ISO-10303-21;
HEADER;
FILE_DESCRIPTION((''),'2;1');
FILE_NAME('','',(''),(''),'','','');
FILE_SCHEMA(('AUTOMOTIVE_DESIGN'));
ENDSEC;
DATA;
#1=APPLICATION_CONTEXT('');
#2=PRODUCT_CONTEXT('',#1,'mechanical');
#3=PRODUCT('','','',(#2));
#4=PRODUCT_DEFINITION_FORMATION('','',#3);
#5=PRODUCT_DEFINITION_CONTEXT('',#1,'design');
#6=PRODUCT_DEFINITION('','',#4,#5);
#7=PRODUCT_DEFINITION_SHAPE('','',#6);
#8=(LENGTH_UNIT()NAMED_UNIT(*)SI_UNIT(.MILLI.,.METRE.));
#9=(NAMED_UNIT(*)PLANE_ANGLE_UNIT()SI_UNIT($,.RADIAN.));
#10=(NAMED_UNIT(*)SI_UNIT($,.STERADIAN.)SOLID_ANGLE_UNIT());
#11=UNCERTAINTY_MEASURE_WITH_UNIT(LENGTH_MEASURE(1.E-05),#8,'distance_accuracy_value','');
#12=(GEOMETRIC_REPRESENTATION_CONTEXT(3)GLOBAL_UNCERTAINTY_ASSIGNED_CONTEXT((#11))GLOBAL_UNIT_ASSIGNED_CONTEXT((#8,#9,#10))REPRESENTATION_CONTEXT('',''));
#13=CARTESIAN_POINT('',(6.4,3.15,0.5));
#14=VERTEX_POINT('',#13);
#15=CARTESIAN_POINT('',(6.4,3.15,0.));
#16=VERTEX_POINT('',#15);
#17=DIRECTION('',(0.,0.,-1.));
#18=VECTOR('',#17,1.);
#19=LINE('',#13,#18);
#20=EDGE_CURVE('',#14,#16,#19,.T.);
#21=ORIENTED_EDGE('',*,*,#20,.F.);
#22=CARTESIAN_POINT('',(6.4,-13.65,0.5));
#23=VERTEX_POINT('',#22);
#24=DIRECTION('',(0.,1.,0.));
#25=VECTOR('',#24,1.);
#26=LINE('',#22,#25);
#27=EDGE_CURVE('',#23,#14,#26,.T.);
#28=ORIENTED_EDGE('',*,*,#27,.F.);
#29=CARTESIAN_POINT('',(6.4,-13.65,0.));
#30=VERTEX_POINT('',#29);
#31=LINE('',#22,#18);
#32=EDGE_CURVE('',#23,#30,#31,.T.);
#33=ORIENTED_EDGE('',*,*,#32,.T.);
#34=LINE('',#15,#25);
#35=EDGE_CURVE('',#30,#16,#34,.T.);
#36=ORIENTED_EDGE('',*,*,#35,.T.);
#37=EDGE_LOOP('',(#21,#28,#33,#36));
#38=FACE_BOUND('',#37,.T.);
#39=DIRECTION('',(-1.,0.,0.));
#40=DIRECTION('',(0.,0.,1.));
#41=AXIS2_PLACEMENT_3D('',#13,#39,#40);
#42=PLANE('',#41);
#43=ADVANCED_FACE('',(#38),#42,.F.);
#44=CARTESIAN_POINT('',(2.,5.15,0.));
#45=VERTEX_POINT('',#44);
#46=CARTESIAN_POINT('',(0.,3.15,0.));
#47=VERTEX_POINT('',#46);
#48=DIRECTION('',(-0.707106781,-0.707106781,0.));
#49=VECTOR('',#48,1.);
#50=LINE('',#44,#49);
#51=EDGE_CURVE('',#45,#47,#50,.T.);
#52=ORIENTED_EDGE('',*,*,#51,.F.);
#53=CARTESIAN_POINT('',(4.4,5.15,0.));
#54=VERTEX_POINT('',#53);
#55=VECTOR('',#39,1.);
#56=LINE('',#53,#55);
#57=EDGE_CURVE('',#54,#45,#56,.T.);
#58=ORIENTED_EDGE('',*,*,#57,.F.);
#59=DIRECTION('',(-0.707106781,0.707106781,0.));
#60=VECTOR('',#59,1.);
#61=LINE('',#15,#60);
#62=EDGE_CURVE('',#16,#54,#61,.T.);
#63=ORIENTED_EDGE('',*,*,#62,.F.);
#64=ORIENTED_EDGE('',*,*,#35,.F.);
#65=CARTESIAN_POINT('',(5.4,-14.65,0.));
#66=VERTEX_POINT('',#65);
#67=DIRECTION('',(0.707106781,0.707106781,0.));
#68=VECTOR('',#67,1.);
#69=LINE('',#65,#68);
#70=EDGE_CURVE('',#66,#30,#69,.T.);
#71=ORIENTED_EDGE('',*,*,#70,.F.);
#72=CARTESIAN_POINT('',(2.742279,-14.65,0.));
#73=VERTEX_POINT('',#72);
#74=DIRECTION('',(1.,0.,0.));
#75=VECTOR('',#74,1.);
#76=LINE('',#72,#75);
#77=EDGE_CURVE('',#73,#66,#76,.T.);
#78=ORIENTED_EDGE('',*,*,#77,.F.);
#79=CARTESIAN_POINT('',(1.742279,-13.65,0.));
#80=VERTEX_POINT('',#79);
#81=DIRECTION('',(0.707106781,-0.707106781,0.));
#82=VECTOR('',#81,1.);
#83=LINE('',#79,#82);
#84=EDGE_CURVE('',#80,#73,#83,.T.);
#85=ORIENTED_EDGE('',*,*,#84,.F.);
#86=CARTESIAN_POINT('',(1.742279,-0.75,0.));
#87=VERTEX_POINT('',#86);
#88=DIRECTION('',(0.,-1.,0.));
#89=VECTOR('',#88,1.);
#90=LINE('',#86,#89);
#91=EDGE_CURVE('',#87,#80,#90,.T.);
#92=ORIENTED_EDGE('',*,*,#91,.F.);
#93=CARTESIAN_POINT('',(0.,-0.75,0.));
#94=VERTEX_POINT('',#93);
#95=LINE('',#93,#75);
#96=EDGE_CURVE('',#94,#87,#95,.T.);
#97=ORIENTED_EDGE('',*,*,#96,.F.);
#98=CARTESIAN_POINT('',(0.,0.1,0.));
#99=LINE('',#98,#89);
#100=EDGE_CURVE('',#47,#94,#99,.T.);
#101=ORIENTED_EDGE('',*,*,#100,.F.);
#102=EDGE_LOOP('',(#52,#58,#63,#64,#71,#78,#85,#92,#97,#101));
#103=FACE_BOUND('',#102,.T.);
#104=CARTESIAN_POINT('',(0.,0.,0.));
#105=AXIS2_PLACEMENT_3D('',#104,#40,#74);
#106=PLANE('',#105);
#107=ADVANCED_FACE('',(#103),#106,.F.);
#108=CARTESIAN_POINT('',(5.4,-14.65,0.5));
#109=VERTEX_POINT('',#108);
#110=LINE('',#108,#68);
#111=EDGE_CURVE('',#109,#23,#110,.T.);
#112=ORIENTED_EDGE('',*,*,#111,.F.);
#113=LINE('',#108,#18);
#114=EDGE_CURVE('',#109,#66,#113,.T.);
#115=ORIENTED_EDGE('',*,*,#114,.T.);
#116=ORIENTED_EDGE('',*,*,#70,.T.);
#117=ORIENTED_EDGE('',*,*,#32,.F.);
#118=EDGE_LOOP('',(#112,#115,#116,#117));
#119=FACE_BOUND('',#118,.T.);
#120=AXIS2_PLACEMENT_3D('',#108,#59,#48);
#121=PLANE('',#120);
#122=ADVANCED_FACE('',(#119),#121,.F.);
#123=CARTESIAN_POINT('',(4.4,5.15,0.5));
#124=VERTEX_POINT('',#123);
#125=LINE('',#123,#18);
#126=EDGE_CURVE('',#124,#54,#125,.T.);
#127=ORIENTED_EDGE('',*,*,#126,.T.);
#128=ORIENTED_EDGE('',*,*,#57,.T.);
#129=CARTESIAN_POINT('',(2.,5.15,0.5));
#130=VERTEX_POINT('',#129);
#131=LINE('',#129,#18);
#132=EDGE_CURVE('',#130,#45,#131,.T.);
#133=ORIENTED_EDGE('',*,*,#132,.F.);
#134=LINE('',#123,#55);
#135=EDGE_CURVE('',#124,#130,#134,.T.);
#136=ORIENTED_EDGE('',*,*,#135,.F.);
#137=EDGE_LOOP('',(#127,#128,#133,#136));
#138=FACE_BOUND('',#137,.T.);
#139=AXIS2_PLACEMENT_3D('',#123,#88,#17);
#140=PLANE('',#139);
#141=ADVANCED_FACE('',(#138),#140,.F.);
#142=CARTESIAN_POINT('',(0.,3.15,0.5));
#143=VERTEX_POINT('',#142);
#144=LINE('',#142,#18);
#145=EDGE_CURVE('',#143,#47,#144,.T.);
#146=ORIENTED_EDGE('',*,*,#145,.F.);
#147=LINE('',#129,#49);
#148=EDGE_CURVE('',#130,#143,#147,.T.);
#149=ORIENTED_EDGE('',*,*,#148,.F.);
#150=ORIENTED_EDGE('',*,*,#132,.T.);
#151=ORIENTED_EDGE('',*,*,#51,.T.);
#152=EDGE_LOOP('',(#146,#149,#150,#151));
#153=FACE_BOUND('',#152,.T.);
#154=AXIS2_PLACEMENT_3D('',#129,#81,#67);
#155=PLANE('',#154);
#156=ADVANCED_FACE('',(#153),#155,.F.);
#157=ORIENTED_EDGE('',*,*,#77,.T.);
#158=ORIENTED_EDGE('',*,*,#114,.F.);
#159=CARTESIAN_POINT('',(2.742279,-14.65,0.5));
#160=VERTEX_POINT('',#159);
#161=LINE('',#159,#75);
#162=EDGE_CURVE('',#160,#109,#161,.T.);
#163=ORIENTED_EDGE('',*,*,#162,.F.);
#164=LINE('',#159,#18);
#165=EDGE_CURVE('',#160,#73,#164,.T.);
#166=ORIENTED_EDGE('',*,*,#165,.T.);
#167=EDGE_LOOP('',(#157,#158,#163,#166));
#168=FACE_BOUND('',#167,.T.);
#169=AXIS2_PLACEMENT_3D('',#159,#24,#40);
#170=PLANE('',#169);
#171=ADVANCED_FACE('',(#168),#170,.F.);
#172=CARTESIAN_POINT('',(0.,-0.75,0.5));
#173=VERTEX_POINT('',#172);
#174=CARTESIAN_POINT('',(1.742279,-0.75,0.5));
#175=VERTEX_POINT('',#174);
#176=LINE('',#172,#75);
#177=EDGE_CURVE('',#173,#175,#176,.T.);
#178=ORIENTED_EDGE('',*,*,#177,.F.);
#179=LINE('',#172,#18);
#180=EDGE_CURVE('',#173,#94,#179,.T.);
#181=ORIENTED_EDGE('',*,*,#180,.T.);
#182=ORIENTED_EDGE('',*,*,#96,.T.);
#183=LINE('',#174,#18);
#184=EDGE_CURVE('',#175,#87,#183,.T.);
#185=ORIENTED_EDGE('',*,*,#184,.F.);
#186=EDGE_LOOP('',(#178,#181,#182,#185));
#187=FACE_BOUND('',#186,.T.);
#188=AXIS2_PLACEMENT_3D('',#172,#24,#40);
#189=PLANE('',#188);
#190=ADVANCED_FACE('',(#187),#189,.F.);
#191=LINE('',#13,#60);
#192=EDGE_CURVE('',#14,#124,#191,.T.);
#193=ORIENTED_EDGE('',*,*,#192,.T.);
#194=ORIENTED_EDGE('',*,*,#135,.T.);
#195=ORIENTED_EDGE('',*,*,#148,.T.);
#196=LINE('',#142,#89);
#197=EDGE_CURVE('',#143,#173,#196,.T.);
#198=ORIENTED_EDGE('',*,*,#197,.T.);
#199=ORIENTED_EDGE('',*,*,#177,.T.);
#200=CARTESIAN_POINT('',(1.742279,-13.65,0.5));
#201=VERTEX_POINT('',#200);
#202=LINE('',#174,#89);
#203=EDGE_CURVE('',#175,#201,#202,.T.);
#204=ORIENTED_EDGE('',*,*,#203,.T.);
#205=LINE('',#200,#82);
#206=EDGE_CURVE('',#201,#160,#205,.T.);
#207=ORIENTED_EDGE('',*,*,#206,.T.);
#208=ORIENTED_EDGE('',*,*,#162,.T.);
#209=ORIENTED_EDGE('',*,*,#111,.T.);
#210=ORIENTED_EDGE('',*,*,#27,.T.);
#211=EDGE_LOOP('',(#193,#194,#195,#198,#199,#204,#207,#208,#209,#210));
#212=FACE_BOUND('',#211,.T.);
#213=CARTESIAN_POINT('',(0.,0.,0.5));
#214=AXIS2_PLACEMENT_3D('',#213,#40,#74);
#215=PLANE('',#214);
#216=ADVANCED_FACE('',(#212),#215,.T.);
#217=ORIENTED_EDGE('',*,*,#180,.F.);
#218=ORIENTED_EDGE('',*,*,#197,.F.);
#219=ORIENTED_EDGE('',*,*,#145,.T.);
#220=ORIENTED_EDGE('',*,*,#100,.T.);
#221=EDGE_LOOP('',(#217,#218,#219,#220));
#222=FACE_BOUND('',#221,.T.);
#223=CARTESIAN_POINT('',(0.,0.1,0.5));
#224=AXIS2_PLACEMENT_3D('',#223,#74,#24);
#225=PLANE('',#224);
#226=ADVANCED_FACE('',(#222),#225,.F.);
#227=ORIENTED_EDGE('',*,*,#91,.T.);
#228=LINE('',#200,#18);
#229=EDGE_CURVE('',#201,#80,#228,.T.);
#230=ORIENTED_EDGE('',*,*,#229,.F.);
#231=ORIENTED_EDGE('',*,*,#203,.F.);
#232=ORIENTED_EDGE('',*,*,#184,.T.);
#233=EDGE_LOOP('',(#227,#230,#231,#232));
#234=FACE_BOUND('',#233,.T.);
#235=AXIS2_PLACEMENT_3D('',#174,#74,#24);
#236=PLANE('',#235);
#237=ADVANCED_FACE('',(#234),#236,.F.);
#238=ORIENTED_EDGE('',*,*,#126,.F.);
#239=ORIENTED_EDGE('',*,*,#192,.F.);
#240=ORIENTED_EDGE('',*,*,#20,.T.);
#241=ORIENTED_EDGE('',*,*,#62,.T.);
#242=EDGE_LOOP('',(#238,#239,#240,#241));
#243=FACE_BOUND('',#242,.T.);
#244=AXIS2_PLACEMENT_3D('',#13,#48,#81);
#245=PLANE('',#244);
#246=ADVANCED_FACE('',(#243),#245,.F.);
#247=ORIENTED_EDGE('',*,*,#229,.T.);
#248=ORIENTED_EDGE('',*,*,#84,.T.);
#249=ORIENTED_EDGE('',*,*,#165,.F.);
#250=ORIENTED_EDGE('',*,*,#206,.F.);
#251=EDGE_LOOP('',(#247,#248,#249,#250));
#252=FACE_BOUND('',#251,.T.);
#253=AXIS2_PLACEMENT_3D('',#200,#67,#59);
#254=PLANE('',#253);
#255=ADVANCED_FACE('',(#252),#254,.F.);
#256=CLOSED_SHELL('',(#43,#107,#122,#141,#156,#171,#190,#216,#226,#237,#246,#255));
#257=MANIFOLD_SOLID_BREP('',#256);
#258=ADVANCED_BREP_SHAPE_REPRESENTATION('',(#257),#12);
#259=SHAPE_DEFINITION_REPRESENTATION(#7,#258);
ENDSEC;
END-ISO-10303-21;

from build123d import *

# Parameters (mm, degrees)
BOSS_EXTRUDE1_DEPTH = 0.5


with BuildPart() as part:
    # Sketch1 → Boss-Extrude1 (new body)
    with BuildSketch(Plane.XY):
        Polygon((1.74227915, -13.65), (2.74227915, -14.65), (5.4, -14.65), (6.4, -13.65), (6.4, 0.1), (6.4, 3.15), (4.4, 5.15), (2, 5.15), (0, 3.15), (0, 0.1), (0, -0.75), (1.74227915, -0.75), align=None)
    extrude(amount=BOSS_EXTRUDE1_DEPTH)


solid = part.part
